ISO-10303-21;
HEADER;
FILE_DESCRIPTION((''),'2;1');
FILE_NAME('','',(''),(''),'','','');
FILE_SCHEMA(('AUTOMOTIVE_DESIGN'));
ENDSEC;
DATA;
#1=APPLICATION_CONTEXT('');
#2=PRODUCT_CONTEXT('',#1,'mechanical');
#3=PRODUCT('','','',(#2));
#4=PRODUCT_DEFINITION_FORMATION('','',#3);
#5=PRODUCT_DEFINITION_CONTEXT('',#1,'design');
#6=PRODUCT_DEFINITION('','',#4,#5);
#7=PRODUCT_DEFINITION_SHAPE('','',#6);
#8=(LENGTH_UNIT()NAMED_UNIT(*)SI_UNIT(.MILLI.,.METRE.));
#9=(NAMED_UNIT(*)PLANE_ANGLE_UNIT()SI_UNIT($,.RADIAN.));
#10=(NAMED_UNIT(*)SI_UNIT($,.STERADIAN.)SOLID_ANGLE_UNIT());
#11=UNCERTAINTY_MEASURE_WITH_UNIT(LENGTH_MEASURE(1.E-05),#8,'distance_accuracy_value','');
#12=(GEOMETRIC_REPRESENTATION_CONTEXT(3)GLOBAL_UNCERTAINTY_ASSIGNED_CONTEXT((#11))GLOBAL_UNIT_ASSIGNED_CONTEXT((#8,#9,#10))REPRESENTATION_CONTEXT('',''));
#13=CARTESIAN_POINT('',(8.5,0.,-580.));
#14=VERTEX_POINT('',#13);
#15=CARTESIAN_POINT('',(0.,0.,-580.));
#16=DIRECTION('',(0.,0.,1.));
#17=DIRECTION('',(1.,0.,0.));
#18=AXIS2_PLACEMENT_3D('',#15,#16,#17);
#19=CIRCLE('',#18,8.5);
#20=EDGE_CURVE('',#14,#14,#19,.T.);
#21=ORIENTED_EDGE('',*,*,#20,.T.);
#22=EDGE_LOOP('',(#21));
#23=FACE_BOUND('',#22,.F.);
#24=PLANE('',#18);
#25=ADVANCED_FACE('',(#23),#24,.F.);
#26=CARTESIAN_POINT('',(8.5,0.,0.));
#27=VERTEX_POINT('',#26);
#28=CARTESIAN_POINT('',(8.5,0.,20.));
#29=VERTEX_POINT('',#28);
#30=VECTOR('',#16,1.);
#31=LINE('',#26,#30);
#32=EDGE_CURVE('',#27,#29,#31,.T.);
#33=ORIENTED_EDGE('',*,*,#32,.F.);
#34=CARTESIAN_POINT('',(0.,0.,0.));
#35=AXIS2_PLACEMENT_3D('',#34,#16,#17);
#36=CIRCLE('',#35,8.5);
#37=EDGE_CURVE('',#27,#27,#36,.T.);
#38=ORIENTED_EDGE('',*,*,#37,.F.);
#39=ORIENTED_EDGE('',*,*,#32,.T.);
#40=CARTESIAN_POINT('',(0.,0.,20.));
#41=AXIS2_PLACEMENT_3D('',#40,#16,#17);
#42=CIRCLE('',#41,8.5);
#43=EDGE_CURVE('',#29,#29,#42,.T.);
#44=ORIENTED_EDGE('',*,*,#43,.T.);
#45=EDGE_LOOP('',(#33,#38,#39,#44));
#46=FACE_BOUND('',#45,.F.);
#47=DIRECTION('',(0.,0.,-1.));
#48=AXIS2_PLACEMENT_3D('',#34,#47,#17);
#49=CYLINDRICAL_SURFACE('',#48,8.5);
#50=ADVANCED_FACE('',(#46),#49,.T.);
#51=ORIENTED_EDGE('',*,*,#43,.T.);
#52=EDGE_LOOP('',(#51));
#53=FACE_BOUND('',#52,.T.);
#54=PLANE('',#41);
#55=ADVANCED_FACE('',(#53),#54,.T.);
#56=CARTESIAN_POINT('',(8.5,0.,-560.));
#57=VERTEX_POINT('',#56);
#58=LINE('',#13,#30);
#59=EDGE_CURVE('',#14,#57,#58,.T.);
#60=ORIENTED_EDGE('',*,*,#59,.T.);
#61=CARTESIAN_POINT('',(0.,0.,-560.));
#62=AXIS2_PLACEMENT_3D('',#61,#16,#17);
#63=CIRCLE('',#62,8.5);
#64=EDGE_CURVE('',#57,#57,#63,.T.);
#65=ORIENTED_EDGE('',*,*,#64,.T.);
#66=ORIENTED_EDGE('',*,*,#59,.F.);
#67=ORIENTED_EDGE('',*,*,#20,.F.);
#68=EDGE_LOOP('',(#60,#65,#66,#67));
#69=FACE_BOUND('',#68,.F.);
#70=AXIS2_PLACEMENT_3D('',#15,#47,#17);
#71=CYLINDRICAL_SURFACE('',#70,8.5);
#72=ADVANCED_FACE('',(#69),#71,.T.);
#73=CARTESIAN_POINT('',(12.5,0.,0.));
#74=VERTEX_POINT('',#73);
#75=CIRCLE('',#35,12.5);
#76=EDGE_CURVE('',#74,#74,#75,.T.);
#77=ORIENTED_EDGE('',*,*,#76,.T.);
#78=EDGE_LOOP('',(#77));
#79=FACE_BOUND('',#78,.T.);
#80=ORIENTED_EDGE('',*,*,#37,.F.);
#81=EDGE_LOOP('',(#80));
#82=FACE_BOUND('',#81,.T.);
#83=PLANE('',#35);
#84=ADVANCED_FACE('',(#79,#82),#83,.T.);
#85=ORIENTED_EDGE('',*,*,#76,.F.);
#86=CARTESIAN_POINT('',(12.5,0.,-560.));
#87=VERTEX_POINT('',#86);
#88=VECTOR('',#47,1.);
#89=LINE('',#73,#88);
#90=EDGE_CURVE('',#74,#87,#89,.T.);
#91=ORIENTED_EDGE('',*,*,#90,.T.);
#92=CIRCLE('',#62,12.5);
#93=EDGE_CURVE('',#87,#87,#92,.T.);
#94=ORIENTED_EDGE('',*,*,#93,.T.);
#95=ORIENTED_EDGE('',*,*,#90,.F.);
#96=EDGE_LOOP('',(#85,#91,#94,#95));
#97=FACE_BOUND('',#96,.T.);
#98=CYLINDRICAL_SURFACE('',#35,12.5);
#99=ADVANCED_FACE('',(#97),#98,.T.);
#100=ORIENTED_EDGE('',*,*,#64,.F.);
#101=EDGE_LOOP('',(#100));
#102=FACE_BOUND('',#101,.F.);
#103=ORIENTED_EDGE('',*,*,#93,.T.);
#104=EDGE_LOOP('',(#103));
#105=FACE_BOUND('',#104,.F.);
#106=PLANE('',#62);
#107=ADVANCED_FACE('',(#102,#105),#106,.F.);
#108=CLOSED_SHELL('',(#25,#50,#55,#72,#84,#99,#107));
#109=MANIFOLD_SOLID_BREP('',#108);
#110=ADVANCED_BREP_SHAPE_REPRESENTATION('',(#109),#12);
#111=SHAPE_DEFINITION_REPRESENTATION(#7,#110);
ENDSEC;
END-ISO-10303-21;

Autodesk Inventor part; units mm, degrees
ref_plane "YZ Plane" through (0, 0, 0) normal (1, 0, 0) x (0, 1, 0)
ref_plane "XZ Plane" through (0, 0, 0) normal (0, 1, 0) x (-1, 0, 0)
ref_plane "XY Plane" through (0, 0, 0) normal (0, 0, 1) x (1, 0, 0)
sketch "草图1" plane through (0, 0, 0) normal (0, 0, 1) x (1, 0, 0)
  circle A0 centre (0, 0) radius 12.5
  dimension "d0" = 25
extrude "拉伸1" add sketch "草图1" against normal blind 560
sketch "草图2" plane through (0, 0, 0) normal (0, 0, 1) x (1, 0, 0)
  circle A0 centre (0, 0) radius 8.5
  dimension "d3" = 17
extrude "拉伸2" add sketch "草图2" along normal blind 20
pattern_linear "矩形阵列1" count 2 spacing 580 along (0, 0, -1) of "拉伸2"
properties part number "载板滚柱"
